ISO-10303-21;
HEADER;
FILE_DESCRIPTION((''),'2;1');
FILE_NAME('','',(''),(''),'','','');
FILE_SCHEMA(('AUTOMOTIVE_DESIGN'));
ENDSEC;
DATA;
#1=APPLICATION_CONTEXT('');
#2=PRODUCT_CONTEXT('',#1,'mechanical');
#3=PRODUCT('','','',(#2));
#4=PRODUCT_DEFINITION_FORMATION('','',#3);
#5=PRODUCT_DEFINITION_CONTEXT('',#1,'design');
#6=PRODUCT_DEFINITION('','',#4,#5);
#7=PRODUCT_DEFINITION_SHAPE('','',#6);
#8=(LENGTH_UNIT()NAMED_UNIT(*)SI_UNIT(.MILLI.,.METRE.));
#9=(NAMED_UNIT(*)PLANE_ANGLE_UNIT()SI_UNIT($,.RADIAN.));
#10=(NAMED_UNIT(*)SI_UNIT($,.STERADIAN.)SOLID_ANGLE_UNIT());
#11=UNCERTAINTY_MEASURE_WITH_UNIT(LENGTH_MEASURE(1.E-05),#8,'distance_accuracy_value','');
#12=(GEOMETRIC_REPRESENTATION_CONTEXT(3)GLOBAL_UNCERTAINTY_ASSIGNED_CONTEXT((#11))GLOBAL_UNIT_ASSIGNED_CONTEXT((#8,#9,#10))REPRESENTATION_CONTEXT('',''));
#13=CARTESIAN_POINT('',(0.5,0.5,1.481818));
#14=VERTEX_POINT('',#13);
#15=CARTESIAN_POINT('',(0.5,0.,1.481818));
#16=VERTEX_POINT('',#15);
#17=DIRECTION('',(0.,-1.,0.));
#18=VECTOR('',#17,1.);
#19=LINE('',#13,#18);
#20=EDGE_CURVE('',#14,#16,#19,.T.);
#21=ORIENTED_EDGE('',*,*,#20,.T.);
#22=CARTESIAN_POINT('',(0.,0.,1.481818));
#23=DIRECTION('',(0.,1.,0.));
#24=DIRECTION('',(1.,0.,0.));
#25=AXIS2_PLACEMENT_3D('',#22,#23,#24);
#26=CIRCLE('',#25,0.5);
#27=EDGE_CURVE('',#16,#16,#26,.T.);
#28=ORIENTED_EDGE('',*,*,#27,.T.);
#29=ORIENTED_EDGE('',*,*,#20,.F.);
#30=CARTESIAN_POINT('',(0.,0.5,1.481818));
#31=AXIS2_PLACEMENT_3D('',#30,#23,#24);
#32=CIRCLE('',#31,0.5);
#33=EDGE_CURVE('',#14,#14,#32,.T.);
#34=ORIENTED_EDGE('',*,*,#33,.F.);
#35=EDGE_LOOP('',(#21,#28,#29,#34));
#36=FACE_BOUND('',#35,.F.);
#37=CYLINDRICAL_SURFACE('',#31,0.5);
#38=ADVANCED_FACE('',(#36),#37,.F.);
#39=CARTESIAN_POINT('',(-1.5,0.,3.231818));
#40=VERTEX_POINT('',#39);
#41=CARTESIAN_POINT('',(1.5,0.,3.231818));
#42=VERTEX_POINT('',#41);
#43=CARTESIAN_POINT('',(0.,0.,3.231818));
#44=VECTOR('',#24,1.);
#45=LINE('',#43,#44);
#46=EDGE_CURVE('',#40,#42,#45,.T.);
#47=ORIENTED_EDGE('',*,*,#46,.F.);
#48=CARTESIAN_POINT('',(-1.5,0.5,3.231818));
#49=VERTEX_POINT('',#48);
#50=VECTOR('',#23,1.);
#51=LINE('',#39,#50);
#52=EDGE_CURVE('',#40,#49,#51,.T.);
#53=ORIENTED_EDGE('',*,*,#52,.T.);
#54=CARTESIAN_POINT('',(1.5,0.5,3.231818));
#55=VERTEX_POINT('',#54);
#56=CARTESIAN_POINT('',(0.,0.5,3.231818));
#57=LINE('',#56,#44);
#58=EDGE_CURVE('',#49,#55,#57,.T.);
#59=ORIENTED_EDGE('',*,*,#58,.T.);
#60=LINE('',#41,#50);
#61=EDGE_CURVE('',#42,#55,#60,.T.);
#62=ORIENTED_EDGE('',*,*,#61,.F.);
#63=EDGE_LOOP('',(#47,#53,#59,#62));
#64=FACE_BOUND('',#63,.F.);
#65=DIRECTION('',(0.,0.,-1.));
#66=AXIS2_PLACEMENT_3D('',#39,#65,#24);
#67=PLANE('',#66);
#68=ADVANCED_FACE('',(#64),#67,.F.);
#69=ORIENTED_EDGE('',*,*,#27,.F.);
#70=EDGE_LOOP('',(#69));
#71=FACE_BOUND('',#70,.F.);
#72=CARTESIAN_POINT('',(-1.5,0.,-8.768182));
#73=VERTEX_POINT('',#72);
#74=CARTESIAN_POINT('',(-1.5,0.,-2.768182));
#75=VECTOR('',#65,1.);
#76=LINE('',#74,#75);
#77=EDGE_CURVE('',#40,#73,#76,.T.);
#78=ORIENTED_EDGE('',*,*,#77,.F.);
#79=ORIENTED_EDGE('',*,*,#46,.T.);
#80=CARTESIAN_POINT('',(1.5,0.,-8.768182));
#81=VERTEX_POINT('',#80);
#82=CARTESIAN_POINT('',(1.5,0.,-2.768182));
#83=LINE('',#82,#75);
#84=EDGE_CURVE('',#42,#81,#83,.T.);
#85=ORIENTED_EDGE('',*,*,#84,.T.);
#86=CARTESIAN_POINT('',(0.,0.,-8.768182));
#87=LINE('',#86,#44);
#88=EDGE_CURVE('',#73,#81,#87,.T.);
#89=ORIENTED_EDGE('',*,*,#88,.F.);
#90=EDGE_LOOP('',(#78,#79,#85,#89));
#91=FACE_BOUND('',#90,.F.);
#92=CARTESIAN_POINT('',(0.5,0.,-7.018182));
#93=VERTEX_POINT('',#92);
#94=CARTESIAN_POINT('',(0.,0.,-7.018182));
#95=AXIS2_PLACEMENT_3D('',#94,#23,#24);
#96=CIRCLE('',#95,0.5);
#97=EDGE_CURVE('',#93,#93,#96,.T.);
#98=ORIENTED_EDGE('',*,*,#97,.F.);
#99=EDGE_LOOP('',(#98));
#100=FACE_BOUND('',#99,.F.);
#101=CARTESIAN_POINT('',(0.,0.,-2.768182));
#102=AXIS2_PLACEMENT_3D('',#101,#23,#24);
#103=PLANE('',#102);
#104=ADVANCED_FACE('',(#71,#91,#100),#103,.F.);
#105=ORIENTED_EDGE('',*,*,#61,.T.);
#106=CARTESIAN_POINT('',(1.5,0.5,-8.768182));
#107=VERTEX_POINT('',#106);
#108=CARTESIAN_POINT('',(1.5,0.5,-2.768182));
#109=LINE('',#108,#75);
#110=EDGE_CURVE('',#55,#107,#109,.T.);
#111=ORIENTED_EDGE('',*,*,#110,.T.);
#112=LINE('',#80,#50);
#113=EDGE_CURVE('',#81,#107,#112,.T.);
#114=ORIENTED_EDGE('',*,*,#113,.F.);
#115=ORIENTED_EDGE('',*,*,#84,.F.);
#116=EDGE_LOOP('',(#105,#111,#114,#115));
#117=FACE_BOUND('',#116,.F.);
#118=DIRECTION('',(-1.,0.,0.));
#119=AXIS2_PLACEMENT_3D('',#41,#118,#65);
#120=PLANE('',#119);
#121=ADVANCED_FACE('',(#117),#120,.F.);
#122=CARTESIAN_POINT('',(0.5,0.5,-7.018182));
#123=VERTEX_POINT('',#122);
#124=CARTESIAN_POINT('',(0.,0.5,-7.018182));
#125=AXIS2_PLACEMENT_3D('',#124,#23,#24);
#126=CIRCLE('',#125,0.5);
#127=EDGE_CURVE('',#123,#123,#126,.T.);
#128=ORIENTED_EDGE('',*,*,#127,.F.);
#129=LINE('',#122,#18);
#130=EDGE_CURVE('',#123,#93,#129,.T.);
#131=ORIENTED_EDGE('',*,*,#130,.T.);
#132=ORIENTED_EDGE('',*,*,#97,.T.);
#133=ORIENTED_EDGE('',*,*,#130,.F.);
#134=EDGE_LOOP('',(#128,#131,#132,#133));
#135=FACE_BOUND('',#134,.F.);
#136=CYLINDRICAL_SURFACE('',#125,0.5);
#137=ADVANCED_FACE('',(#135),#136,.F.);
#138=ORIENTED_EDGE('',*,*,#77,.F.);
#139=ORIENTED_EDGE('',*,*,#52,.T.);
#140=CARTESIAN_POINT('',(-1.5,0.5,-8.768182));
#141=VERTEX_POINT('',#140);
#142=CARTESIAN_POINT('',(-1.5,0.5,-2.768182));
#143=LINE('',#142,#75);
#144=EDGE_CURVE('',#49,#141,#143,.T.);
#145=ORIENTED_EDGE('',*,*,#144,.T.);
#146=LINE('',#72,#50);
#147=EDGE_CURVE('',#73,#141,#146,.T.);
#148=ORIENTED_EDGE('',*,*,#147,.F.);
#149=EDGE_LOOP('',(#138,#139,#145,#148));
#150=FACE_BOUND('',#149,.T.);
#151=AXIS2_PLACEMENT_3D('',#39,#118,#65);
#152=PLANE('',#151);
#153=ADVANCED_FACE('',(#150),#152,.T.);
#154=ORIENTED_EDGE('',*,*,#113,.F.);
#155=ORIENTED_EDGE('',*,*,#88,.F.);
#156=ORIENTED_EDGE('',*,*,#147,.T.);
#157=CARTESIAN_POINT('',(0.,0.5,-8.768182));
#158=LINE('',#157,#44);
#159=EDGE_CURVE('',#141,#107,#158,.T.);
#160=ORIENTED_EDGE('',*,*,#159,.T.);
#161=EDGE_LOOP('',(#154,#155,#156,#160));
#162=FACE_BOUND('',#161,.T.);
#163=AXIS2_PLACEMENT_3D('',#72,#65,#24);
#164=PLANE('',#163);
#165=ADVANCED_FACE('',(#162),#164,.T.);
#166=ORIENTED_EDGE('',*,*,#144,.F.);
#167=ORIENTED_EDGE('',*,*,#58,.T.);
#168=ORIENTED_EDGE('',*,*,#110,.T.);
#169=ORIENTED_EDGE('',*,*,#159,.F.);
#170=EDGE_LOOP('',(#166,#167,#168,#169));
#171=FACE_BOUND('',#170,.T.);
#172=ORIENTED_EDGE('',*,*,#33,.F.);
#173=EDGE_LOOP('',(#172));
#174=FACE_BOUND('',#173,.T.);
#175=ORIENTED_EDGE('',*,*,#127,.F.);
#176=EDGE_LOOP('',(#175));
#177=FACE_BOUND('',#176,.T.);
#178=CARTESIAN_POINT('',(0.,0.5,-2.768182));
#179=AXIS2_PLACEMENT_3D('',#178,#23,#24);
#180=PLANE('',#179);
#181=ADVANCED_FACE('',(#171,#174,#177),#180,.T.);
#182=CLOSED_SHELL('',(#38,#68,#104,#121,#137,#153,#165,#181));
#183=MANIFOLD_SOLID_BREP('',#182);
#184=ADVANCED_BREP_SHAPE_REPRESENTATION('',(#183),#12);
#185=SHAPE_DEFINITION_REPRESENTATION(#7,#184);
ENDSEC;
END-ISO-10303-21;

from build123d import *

# Parameters (mm, degrees)
SKETCH1_W           = 3
SKETCH1_H           = 12
BOSS_EXTRUDE1_DEPTH = 0.5
SKETCH2_R           = 0.5
CUT_EXTRUDE1_DEPTH  = 1


with BuildPart() as part:
    # Sketch1 → Boss-Extrude1 (new body)
    with BuildSketch(Plane(origin=(0, 0, 0), x_dir=(1, 0, 0), z_dir=(0, 1, 0))):
        with Locations((0, 2.768181818)):
            Rectangle(SKETCH1_W, SKETCH1_H)
    extrude(amount=BOSS_EXTRUDE1_DEPTH)

    # Sketch2 → Cut-Extrude1 (cut)
    with BuildSketch(Plane(origin=(0, 0.5, 0), x_dir=(1, 0, 0), z_dir=(0, 1, 0))):
        with Locations((0, 7.018181818)):
            Circle(SKETCH2_R)
        with Locations((0, -1.481818182)):
            Circle(SKETCH2_R)
    extrude(amount=-CUT_EXTRUDE1_DEPTH, mode=Mode.SUBTRACT)


solid = part.part
